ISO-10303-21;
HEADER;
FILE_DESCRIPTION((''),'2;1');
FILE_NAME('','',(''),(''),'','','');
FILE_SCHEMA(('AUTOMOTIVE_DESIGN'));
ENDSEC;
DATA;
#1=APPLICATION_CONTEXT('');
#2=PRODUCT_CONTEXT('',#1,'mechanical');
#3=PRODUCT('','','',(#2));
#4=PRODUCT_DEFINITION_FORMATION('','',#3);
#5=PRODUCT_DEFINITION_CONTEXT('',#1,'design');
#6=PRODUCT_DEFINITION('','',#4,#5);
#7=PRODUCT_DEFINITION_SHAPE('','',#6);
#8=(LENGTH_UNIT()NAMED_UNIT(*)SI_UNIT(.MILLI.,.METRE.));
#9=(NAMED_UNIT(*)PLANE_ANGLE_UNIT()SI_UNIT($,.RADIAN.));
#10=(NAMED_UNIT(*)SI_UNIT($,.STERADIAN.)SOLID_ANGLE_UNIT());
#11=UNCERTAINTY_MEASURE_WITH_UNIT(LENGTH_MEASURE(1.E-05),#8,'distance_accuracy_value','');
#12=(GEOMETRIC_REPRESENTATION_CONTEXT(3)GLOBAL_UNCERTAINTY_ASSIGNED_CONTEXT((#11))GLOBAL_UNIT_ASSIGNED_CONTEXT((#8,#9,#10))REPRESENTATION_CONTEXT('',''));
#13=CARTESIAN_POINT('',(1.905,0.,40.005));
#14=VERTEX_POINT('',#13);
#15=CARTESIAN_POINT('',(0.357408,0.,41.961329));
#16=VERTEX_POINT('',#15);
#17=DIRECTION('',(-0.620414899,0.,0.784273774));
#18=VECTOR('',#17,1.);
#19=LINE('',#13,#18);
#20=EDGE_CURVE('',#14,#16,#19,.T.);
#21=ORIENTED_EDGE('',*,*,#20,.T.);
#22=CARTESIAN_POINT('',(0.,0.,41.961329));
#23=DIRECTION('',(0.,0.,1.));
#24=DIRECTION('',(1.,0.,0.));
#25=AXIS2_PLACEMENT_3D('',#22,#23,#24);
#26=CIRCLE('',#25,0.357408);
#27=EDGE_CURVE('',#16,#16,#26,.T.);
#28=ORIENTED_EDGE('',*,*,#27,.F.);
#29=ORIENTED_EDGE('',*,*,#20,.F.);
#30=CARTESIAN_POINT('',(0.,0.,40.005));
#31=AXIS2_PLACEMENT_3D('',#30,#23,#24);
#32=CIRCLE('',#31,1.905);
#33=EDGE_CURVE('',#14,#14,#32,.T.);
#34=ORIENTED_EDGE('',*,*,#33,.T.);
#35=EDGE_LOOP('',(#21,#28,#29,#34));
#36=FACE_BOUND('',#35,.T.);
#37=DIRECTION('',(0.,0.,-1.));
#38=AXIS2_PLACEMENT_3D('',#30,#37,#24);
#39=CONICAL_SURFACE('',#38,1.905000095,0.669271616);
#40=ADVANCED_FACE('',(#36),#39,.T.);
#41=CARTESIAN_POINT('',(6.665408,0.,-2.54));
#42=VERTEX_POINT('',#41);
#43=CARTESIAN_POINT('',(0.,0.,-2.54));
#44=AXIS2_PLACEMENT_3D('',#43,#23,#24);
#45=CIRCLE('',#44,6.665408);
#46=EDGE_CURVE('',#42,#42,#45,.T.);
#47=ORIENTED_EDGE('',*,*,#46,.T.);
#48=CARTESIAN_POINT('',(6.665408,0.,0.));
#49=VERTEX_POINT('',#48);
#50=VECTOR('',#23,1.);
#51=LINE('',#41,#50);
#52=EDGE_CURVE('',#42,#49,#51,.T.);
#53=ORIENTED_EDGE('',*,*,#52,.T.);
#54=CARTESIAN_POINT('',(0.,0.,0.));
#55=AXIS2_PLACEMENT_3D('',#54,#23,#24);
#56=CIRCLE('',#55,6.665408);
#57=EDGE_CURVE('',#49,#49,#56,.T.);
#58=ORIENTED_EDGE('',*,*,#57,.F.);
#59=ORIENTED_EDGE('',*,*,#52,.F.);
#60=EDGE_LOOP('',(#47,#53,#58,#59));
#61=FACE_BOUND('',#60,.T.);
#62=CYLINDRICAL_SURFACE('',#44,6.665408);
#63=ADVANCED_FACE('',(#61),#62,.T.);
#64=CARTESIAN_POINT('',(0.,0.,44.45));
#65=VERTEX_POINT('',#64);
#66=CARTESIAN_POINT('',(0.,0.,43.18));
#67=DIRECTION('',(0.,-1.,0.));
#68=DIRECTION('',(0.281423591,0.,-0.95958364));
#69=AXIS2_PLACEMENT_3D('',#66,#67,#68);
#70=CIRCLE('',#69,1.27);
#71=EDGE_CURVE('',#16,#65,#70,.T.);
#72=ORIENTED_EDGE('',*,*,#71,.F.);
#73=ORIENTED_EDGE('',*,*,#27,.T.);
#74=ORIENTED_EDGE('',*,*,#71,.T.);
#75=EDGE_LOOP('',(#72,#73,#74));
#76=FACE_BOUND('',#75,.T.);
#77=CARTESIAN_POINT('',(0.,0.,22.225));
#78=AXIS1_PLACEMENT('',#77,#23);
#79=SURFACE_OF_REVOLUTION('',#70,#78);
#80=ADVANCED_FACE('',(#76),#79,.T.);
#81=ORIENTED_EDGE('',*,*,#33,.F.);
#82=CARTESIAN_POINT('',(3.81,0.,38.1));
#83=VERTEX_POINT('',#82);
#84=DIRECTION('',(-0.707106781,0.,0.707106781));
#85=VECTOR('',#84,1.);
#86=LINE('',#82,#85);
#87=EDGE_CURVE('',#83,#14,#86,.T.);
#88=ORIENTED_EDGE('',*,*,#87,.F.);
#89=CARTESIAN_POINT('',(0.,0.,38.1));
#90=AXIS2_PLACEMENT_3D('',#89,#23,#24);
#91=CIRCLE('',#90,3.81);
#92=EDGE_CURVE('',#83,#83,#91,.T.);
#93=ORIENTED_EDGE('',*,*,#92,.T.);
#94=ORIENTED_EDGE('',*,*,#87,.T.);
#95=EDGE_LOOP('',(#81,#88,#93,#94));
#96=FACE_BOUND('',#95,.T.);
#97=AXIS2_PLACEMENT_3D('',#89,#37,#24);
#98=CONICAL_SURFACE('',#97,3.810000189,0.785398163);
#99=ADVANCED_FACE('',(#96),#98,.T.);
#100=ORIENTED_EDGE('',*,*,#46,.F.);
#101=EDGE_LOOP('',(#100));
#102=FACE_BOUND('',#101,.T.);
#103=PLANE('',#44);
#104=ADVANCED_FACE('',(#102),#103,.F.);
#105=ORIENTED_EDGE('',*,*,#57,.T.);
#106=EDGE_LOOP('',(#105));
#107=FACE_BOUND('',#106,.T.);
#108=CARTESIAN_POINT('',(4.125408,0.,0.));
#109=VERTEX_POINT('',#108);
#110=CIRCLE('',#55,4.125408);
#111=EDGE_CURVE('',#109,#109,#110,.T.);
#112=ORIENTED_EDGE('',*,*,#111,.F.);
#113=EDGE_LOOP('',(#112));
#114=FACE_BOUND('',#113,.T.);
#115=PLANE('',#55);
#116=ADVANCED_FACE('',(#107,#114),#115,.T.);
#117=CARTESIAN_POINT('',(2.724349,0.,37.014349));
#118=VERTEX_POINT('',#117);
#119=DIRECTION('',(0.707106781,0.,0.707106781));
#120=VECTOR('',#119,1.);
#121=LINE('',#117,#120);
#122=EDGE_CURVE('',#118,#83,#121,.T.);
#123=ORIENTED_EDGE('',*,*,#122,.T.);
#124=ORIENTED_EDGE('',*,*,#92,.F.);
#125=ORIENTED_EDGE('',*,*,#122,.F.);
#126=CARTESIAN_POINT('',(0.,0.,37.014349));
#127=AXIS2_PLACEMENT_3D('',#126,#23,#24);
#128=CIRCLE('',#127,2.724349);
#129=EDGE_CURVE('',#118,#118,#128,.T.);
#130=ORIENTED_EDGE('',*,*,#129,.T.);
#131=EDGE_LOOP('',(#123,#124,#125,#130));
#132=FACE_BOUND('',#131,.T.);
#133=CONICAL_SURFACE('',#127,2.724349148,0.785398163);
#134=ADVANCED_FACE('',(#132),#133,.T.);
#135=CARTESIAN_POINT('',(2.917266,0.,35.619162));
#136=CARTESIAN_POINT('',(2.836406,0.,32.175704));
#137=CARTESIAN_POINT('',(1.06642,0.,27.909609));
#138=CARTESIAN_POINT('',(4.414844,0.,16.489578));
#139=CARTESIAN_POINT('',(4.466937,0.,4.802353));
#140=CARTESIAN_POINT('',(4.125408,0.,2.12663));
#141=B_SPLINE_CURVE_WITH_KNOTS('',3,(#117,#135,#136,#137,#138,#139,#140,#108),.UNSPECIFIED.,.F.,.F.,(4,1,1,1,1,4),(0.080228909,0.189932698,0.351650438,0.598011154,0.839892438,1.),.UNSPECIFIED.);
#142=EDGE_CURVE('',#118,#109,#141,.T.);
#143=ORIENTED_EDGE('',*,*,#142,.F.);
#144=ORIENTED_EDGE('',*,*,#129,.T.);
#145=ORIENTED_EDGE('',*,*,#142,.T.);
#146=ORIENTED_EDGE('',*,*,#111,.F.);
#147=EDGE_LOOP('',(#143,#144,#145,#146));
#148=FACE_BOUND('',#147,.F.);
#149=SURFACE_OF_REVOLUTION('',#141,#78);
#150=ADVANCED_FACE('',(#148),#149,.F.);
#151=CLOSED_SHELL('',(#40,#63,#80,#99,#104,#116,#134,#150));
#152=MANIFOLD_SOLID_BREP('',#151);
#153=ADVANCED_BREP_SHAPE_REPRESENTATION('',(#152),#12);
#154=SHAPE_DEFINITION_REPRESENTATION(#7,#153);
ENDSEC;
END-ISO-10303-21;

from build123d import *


with BuildPart() as f1:
    # F0 (on Front) → F1 (revolve)
    with BuildSketch(Plane.XZ):
        with BuildLine():
            Line((0, 44.45), (0, 0))
            Line((0, 0), (0, -2.54))
            Line((0, -2.54), (6.6654079201, -2.54))
            Line((6.6654079201, -2.54), (6.6654079201, 0))
            Line((6.6654079201, 0), (4.1254079201, 0))
            add(Edge.make_bspline(
                [(2.7243491478, 37.01434877), (2.9172660711, 35.6191618602), (2.8364055922, 32.1757037693), (1.0664201554, 27.9096087669), (4.4148443102, 16.489578027), (4.4669372205, 4.8023526907), (4.1254079201, 2.1266304433), (4.1254079201, 0)],
                knots=[0.0802289089, 0.0802289089, 0.0802289089, 0.0802289089, 0.1899326983, 0.3516504376, 0.5980111539, 0.8398924382, 1, 1, 1, 1], degree=3))
            add(Edge.make_bspline(
                [(1.9050000945, 40.0049999055), (2.3215219262, 39.0568329152), (2.5832645566, 38.0346811043), (2.7243491478, 37.01434877)],
                knots=[0, 0, 0, 0, 0.0802289089, 0.0802289089, 0.0802289089, 0.0802289089], degree=3))
            Line((1.9050000945, 40.0049999055), (0.3574084009, 41.9613287769))
            ThreePointArc((0.3574084009, 41.9613287769), (1.257102723, 43.360537675), (0, 44.45))
        make_face()
        with BuildLine():
            Line((3.8100001889, 38.0999998111), (1.9050000945, 40.0049999055))
            add(Edge.make_bspline(
                [(1.9050000945, 40.0049999055), (2.3215219262, 39.0568329152), (2.5832645566, 38.0346811043), (2.7243491478, 37.01434877)],
                knots=[0, 0, 0, 0, 0.0802289089, 0.0802289089, 0.0802289089, 0.0802289089], degree=3))
            Line((2.7243491478, 37.01434877), (3.8100001889, 38.0999998111))
        make_face()
    revolve(axis=Axis((0, 0, 22.225), (0, 0, 1)))


solid = f1.part
